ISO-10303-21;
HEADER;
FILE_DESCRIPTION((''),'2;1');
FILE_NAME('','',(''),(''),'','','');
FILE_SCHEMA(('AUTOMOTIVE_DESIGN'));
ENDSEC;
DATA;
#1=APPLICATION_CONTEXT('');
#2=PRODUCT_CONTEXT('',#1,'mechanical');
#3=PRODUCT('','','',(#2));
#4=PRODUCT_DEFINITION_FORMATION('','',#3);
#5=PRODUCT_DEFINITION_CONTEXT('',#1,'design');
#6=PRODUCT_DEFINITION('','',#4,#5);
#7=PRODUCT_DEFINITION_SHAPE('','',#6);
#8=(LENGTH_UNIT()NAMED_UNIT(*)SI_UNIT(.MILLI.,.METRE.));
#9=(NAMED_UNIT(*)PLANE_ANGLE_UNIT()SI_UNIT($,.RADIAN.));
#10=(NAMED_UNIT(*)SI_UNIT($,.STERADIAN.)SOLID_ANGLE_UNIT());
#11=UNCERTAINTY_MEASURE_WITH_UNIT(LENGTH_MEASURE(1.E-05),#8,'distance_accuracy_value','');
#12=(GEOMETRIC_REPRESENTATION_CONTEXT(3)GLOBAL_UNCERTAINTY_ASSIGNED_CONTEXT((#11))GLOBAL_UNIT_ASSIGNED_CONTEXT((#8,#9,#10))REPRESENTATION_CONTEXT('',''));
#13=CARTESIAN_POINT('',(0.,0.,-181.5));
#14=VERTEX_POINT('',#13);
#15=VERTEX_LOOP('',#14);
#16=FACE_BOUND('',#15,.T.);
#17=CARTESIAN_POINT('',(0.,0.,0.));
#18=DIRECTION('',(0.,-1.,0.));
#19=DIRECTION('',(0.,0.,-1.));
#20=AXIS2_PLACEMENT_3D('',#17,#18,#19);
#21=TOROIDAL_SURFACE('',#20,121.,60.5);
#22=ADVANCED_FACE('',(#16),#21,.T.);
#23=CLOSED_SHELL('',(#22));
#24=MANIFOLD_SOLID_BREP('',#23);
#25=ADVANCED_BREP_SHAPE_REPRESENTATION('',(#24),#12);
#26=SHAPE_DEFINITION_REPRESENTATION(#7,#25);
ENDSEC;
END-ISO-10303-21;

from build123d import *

# Parameters (mm, degrees)
SKETCH2_R = 60.5


with BuildPart() as part:
    # Sketch2 → Revolve2 (revolve)
    with BuildSketch(Plane.XY):
        with Locations((-121, 0)):
            Circle(SKETCH2_R)
    revolve(axis=Axis((0, 0, 0), (0, 1, 0)))


solid = part.part
